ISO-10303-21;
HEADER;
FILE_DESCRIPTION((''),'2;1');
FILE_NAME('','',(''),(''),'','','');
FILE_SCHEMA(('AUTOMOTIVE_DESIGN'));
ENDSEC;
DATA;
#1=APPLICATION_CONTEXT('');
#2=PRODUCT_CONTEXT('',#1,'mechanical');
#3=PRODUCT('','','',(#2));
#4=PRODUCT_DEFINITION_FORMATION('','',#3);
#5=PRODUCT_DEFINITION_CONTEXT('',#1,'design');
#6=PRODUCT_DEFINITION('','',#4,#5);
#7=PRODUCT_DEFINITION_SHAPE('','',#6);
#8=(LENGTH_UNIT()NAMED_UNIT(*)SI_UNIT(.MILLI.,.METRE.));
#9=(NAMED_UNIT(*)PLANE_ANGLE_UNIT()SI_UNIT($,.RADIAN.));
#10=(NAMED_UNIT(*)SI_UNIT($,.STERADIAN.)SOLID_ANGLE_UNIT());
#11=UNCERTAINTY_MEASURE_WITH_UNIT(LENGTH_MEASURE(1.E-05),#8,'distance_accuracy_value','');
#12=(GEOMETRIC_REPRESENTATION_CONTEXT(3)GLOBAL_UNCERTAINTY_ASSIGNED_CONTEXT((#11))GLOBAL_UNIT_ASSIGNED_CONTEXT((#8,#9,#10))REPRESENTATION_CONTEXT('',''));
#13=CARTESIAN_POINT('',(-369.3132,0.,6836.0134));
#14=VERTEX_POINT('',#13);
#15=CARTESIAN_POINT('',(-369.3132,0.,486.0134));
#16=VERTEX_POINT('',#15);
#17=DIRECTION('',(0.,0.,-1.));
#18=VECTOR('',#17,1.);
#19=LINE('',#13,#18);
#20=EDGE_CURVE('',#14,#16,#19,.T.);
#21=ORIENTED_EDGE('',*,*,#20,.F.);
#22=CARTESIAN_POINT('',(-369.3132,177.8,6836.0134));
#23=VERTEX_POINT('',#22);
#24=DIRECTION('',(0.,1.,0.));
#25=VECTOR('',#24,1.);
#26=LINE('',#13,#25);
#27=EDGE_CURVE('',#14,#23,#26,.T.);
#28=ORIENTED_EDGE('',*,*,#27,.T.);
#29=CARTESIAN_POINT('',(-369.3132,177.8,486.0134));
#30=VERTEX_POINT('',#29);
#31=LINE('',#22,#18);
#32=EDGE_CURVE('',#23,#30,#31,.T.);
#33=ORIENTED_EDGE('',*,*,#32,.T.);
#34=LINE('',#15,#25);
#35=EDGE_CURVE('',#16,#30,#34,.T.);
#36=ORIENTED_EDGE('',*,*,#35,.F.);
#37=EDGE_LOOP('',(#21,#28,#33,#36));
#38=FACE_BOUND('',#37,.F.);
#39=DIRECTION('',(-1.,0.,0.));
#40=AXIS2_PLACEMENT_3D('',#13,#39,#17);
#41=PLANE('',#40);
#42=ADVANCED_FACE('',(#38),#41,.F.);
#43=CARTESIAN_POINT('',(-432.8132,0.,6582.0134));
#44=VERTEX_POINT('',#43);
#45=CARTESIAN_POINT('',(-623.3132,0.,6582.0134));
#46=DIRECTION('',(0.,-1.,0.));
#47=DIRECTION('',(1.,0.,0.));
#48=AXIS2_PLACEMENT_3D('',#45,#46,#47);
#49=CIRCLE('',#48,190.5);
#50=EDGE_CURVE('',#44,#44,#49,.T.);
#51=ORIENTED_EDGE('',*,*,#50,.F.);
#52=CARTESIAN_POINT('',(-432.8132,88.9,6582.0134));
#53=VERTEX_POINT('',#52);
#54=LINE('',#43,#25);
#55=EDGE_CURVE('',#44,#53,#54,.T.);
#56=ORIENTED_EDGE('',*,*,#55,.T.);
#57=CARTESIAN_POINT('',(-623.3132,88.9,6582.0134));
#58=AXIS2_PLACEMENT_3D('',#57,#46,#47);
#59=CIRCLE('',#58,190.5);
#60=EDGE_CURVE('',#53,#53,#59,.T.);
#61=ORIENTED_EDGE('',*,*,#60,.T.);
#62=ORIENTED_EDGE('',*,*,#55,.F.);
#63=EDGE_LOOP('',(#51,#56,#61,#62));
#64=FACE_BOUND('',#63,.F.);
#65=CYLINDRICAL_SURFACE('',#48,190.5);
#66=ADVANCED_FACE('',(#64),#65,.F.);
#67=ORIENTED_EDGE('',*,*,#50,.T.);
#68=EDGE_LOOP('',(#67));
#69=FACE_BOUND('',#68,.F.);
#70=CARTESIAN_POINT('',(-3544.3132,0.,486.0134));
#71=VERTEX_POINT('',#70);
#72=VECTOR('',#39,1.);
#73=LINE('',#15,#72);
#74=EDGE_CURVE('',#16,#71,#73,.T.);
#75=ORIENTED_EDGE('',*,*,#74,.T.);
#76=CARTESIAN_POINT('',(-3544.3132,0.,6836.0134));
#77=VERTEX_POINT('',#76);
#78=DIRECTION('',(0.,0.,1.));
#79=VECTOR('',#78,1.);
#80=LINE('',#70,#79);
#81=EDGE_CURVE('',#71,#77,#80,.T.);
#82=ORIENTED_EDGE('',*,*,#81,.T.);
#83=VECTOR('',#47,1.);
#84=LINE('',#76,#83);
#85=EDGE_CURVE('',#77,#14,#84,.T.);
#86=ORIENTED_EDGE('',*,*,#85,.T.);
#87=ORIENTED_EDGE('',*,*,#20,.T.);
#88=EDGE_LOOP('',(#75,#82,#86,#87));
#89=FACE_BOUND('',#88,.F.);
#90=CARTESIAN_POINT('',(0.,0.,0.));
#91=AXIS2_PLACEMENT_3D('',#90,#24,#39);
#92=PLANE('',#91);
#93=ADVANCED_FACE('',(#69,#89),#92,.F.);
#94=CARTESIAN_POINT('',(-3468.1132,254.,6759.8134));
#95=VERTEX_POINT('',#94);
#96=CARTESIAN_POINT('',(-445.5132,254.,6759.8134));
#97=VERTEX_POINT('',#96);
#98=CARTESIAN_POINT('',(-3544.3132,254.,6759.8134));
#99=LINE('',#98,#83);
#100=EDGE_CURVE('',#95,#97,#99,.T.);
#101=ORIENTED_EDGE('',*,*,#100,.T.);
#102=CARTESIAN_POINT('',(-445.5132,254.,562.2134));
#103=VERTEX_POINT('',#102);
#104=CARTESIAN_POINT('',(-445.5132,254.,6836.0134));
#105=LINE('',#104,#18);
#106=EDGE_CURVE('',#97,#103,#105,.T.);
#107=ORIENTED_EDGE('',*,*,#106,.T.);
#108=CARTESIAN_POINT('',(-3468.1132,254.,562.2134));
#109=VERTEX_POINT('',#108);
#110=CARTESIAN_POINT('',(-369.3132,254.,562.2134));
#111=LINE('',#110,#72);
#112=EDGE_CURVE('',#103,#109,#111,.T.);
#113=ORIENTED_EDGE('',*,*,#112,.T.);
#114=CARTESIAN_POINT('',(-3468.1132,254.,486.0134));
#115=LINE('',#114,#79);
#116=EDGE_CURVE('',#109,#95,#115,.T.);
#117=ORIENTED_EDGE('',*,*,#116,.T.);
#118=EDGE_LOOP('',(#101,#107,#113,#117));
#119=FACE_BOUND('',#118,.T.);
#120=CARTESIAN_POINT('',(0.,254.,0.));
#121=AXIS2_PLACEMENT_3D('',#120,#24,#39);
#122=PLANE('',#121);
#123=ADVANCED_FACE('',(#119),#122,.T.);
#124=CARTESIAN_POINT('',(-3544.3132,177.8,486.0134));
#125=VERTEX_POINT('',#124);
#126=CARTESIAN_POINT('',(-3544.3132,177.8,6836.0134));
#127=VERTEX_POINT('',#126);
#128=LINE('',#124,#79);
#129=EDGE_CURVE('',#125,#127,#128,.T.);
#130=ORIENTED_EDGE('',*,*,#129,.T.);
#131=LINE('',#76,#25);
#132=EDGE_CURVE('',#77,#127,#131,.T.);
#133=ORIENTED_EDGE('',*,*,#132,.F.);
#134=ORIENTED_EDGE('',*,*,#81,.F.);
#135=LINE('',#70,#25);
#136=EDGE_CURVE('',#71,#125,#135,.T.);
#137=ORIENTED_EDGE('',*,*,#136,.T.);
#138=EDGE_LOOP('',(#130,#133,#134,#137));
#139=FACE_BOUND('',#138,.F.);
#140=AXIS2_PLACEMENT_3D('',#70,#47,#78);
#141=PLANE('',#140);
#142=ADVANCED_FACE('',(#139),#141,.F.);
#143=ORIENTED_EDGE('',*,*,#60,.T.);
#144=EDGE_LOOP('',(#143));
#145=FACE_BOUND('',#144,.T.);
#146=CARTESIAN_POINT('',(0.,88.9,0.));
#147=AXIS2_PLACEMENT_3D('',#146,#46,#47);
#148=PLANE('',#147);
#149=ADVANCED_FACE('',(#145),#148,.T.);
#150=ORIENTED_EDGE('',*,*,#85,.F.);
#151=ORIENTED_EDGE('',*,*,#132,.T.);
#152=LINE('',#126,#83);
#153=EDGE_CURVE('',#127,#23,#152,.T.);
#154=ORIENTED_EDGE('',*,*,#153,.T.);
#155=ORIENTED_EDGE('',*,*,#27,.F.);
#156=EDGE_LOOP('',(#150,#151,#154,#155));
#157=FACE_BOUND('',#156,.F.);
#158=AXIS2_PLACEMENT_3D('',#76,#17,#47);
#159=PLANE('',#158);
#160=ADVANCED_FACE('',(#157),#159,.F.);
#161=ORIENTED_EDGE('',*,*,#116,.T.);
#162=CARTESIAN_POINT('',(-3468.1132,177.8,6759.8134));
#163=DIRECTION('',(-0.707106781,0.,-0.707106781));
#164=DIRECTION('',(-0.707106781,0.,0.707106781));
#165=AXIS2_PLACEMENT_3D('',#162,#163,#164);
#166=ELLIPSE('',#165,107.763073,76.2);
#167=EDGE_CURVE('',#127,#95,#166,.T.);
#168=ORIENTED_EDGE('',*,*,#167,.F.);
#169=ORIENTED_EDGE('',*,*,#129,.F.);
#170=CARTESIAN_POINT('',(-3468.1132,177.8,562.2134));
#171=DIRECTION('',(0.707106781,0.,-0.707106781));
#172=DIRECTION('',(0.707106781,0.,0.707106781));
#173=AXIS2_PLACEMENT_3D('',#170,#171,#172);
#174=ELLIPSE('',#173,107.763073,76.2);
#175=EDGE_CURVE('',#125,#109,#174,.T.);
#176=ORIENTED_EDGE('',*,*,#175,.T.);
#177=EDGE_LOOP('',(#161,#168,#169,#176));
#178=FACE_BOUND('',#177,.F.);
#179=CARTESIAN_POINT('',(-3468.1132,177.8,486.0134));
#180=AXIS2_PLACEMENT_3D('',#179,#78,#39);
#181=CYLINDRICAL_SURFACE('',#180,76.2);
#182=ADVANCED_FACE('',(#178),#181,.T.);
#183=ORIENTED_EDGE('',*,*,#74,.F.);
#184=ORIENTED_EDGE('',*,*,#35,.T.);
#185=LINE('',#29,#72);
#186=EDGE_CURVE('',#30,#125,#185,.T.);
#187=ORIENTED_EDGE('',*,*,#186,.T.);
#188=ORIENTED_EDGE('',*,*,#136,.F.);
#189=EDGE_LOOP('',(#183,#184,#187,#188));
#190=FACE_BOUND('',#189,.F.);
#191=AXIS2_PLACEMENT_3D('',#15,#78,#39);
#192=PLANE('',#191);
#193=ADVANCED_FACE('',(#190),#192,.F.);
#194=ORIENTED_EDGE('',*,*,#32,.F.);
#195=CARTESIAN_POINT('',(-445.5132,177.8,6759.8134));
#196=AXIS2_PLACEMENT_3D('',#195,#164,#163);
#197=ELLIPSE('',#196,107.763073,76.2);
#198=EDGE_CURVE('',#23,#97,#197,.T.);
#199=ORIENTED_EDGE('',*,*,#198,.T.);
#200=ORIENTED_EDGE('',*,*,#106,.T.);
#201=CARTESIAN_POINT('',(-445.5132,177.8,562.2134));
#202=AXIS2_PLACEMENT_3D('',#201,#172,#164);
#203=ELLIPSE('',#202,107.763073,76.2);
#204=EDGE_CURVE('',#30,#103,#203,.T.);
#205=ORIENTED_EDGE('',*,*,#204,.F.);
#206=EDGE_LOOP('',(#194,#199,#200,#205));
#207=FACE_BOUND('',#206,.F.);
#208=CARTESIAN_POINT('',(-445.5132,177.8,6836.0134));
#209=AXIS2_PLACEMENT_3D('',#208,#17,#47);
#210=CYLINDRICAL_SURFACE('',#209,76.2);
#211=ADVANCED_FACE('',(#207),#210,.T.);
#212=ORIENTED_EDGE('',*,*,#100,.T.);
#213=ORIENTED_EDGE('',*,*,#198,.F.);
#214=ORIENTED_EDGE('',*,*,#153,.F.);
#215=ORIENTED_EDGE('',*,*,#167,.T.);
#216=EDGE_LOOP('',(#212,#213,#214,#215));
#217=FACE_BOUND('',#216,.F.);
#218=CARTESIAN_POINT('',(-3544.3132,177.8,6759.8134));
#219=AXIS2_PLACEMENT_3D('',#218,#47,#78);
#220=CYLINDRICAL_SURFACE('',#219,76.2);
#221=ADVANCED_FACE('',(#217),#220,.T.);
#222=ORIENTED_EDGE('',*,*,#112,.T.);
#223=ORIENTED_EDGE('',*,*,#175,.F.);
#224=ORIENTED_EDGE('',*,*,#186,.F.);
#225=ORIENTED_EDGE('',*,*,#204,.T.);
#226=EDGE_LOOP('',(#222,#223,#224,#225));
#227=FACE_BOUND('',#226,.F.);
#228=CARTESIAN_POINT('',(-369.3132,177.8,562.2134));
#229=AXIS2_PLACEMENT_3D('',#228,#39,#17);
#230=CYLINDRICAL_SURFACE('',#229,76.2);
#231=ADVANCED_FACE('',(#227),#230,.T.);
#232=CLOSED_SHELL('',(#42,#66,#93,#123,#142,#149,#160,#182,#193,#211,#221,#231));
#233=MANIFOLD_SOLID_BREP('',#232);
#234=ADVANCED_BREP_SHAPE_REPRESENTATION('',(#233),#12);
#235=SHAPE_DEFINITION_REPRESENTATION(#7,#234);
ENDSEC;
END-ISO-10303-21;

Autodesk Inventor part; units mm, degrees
ref_plane "YZ Plane" through (0, 0, 0) normal (1, 0, 0) x (0, 1, 0)
ref_plane "XZ Plane" through (0, 0, 0) normal (0, 1, 0) x (-1, 0, 0)
ref_plane "XY Plane" through (0, 0, 0) normal (0, 0, 1) x (1, 0, 0)
sketch "Sketch1" plane through (0, 0, 0) normal (0, 1, 0) x (-1, 0, 0)
  line L0 (3544.3132, 6836.0134) -> (369.3132, 6836.0134)
  line L1 (369.3132, 6836.0134) -> (369.3132, 486.0134)
  line L2 (369.3132, 486.0134) -> (3544.3132, 486.0134)
  line L3 (3544.3132, 486.0134) -> (3544.3132, 6836.0134)
  point P0 (0, 0)
  dimension "d0" = 6350
  dimension "d1" = 3175
extrude "Extrusion1" add sketch "Sketch1" along normal blind 254
fillet "Fillet1" radius 76.2 4 edges at (-3544.3132, 254, 3661.0134) (-1956.8132, 254, 486.0134) (-369.3132, 254, 3661.0134) (-1956.8132, 254, 6836.0134)
sketch "Sketch2" plane through (0, 0, 0) normal (0, -1, 0) x (1, 0, 0)
  circle A0 centre (-623.3132, 6582.0134) radius 190.5
  line L0 (-3544.3132, 6836.0134) -> (-369.3132, 6836.0134) projected
  line L1 (-369.3132, 6836.0134) -> (-369.3132, 486.0134) projected
  line L2 (-369.3132, 6836.0134) -> (-369.3132, 486.0134) projected
  line L3 (-369.3132, 3661.0134) -> (-3544.3132, 3661.0134)
  line L4 (-3544.3132, 486.0134) -> (-3544.3132, 6836.0134) projected
  line L5 (-369.3132, 486.0134) -> (-3544.3132, 486.0134) projected
  line L6 (-1956.8132, 486.0134) -> (-1956.8132, 6836.0134)
  circle A1 centre (-623.3132, 740.0134) radius 190.5
  circle A2 centre (-3290.3132, 6582.0134) radius 190.5
  line L7 (-3544.3132, 6836.0134) -> (-3544.3132, 486.0134)
  circle A3 centre (-3290.3132, 740.0134) radius 190.5
  point P0 (0, 0)
  dimension "d4" = 381
  dimension "d5" = 254
  dimension "d6" = 254
extrude "Extrusion2" cut sketch "Sketch2" against normal blind 88.9 contours A0
equation "\"d1\" = 0.5 * d0"
equation "\"d6\" = d5"
